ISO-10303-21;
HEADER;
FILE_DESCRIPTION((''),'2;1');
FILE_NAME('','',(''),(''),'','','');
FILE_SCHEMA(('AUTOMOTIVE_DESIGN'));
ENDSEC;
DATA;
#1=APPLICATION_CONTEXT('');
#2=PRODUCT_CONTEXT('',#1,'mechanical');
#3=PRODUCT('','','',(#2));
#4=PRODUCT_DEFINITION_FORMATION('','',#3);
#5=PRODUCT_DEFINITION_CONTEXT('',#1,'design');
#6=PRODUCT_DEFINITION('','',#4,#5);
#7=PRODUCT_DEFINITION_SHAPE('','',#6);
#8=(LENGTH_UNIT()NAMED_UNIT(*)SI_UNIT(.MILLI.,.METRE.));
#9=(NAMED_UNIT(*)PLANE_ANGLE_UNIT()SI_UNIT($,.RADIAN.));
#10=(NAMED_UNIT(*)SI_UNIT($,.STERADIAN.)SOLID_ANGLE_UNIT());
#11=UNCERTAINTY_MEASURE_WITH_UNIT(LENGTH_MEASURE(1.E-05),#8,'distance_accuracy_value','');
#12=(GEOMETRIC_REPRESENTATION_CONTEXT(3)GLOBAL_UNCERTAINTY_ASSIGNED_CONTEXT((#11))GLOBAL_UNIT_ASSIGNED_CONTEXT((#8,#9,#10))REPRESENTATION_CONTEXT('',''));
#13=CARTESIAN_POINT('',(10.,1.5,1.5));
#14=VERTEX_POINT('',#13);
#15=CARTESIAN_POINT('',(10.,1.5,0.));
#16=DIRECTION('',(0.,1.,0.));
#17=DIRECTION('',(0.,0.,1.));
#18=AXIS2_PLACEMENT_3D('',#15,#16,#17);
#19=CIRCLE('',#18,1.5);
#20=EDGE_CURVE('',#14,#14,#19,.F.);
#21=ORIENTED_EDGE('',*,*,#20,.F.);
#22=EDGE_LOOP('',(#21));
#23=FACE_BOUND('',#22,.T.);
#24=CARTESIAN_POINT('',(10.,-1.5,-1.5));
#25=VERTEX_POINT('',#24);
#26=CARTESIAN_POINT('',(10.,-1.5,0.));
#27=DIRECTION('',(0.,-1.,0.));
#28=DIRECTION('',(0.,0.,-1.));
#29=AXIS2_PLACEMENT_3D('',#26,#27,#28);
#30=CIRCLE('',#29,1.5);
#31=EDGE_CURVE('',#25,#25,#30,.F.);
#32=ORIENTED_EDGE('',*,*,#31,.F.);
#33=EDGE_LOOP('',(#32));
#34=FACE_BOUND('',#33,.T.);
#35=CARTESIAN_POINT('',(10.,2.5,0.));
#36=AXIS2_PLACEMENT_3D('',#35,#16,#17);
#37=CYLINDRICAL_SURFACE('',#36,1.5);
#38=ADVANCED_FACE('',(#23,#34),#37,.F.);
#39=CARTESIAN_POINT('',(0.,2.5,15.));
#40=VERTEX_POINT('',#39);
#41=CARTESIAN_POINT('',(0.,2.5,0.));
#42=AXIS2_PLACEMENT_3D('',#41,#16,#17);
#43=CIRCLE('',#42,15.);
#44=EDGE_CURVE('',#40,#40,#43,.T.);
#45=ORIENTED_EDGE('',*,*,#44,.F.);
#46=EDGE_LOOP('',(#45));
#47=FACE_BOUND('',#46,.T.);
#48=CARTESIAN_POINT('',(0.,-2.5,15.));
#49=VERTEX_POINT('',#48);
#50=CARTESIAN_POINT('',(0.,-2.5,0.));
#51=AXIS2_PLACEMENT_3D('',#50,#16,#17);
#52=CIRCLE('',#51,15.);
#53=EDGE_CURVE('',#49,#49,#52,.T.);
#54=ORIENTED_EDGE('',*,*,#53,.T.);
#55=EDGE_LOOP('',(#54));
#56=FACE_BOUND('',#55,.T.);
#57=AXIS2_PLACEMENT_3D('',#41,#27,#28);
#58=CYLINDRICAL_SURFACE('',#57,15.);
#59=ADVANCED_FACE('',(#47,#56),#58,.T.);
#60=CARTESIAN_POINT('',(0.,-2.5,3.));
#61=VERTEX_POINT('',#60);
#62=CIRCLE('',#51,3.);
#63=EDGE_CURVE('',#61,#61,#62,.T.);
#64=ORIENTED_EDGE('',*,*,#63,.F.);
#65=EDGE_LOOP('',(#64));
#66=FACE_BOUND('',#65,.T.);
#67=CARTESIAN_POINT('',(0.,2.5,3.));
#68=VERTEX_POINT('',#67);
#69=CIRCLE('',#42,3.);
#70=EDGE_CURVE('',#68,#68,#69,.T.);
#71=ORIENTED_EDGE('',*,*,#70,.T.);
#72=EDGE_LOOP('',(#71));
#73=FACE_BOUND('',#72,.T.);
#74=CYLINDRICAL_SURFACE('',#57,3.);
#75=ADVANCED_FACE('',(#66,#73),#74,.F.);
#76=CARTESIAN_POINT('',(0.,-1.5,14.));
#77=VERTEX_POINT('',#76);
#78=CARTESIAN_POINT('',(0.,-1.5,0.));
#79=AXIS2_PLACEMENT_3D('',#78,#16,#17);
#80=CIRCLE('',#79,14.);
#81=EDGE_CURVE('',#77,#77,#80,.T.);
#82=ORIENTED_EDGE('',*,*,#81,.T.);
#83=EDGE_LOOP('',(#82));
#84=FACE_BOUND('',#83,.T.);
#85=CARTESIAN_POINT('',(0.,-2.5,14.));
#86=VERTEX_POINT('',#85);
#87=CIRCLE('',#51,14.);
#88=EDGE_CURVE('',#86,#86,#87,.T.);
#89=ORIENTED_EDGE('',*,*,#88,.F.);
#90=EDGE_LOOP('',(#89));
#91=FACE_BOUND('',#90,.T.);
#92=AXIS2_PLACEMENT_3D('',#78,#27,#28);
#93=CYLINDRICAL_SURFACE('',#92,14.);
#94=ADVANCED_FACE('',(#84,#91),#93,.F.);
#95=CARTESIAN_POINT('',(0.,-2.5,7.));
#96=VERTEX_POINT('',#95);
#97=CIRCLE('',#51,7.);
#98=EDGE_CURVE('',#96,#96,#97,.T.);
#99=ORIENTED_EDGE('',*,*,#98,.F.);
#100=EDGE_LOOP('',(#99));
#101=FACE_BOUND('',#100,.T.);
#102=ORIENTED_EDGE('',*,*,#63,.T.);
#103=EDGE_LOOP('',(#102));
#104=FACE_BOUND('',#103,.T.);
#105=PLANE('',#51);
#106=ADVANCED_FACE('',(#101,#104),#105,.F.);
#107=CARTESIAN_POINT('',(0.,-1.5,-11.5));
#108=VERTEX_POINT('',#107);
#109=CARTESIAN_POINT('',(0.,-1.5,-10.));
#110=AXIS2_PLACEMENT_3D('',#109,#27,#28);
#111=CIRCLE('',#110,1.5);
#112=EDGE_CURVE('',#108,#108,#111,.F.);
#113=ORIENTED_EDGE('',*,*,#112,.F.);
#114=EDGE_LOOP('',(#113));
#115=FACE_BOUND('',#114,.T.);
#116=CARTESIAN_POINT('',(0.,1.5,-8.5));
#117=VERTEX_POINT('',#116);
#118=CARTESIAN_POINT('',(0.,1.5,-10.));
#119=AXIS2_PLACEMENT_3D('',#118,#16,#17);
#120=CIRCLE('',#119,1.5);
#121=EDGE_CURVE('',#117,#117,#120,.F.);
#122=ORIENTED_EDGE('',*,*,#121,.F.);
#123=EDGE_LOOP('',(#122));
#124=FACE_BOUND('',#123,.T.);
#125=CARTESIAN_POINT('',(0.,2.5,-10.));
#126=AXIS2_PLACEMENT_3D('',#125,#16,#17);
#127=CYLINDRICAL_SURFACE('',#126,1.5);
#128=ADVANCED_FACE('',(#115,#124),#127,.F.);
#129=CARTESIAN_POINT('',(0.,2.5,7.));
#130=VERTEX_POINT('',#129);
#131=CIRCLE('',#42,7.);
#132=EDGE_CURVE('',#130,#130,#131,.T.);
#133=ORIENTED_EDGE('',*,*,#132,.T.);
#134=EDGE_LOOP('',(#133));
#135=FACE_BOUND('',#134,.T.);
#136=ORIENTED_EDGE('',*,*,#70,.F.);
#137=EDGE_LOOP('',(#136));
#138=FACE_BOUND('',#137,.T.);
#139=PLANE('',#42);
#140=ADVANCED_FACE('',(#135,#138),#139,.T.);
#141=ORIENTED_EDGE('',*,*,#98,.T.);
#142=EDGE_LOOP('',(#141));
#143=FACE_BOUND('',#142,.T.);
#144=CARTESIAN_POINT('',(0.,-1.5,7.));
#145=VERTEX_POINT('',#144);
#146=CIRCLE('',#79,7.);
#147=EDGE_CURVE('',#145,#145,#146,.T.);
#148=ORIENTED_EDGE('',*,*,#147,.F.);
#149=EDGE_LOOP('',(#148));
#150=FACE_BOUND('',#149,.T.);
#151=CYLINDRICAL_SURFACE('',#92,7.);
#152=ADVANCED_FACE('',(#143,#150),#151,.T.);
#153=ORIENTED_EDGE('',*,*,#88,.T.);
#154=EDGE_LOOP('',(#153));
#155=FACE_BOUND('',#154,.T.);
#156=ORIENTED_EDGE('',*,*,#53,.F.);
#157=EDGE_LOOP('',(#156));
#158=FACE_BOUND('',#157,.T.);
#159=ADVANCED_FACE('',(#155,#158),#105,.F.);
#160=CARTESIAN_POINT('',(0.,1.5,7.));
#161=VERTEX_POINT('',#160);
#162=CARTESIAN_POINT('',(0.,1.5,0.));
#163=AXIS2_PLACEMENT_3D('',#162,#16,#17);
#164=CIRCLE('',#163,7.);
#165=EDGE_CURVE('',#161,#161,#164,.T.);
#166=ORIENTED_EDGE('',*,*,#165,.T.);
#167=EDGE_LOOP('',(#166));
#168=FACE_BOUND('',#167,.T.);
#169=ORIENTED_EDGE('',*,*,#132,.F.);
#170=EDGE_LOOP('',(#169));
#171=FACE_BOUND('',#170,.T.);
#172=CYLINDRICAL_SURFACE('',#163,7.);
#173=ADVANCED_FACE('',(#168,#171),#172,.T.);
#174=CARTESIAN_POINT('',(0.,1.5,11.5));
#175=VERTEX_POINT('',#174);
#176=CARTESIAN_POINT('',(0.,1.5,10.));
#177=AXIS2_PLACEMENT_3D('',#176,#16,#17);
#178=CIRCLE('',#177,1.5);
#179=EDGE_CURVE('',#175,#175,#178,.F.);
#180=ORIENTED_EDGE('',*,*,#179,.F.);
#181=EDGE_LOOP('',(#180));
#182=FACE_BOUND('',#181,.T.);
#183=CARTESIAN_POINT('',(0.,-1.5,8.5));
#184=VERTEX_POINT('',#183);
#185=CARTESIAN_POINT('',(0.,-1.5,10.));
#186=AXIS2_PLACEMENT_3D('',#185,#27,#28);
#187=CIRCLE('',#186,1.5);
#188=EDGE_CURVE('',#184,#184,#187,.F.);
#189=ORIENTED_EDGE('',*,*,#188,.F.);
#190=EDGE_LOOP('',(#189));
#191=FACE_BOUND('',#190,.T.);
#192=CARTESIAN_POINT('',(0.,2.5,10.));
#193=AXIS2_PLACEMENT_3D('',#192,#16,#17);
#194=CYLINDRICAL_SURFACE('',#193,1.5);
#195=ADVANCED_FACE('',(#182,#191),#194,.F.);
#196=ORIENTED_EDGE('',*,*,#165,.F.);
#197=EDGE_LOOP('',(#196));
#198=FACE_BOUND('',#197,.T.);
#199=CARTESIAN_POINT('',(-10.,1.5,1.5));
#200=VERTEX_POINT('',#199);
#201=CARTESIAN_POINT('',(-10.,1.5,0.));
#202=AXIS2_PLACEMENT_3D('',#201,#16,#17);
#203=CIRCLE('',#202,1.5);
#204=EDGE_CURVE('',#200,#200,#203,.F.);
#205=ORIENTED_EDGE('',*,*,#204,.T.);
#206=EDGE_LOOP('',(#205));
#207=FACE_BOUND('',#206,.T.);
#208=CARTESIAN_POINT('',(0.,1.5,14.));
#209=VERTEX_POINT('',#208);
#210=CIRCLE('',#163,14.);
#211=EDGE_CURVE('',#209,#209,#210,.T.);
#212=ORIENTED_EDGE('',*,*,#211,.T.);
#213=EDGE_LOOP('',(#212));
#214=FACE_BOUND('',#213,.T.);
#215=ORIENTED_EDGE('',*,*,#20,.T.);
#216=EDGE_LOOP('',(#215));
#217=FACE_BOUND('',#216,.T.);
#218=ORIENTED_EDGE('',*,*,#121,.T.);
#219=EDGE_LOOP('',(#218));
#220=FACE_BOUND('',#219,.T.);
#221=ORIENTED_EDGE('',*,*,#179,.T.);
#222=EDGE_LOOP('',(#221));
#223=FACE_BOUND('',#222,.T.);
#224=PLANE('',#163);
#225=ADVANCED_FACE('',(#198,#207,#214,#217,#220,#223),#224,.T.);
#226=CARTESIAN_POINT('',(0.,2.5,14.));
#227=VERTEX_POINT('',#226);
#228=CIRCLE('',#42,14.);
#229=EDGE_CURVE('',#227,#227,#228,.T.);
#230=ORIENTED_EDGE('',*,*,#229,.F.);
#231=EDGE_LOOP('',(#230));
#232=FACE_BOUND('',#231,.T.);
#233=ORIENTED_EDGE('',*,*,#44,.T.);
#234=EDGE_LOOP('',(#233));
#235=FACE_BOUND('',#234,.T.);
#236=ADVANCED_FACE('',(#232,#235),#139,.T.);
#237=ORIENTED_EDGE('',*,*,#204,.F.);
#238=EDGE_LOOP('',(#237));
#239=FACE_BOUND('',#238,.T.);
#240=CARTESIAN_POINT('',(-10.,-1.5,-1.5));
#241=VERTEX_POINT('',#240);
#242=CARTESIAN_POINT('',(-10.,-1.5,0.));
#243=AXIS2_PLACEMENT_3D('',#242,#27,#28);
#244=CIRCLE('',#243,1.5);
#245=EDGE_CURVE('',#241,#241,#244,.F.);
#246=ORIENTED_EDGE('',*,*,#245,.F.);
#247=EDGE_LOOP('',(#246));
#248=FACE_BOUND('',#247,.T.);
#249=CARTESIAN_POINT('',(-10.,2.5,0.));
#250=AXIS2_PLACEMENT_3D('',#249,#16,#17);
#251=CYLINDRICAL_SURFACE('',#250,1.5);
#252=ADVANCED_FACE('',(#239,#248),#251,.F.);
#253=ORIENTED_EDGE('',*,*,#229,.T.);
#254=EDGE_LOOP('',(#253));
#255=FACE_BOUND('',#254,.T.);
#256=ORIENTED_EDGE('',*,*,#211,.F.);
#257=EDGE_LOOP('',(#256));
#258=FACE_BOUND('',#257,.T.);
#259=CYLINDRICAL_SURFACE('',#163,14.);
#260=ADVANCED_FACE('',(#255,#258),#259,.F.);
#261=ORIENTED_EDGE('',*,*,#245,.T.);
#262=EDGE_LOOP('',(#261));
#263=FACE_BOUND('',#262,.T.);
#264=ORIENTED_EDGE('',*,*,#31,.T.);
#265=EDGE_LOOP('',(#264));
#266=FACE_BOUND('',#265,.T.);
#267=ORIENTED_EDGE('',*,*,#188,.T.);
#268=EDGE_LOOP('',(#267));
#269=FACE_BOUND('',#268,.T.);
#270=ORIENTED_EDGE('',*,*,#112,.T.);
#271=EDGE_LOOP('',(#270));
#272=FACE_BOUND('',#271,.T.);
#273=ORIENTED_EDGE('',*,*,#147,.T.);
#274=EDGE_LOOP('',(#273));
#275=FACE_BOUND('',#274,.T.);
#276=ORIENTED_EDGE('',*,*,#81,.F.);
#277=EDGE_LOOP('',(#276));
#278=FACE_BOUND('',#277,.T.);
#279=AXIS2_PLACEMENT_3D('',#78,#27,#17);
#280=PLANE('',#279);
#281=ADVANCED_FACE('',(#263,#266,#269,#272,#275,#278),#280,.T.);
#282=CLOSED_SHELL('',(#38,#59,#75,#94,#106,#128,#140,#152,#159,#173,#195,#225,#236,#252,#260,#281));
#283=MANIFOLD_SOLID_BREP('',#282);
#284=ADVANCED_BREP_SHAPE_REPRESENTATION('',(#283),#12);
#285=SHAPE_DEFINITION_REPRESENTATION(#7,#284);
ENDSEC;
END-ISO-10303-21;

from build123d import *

# Parameters (mm, degrees)
SKETCH1_R                 = 15
SKETCH1_R_2               = 3
BOSS_EXTRUDE1_DEPTH       = 2.5
F_3_0MM_DOWEL_HOLE1_D     = 3
F_3_0MM_DOWEL_HOLE1_DEPTH = 5.001
CIRPATTERN1_COUNT         = 4
SKETCH6_R                 = 14
SKETCH6_R_2               = 7
CUT_EXTRUDE1_DEPTH        = 1


with BuildPart() as part:
    # Sketch1 → Boss-Extrude1 (new body, symmetric)
    with BuildSketch(Plane(origin=(0, 0, 0), x_dir=(1, 0, 0), z_dir=(0, 1, 0))):
        Circle(SKETCH1_R)
        Circle(SKETCH1_R_2, mode=Mode.SUBTRACT)
    extrude(amount=BOSS_EXTRUDE1_DEPTH, both=True)

    # Ø3.0mm Dowel Hole1
    with Locations(Plane(origin=(0, 2.5, 0), x_dir=(1, 0, 0), z_dir=(0, 1, 0))):
        with Locations((0, 10)):
            f_3_0mm_dowel_hole1 = Hole(F_3_0MM_DOWEL_HOLE1_D / 2, depth=F_3_0MM_DOWEL_HOLE1_DEPTH)

    # CirPattern1: Ø3.0mm Dowel Hole1 ×4 about axis
    cirpattern1_axis = Axis((0, 0, 0), (0, 1, 0))
    for i in range(1, CIRPATTERN1_COUNT):
        add(f_3_0mm_dowel_hole1.rotate(cirpattern1_axis, i * 360 / CIRPATTERN1_COUNT), mode=Mode.SUBTRACT)

    # Sketch6 → Cut-Extrude1 (cut)
    with BuildSketch(Plane(origin=(0, 2.5, 0), x_dir=(1, 0, 0), z_dir=(0, 1, 0))):
        Circle(SKETCH6_R)
        Circle(SKETCH6_R_2, mode=Mode.SUBTRACT)
    cut_extrude1 = extrude(amount=-CUT_EXTRUDE1_DEPTH, mode=Mode.SUBTRACT)

    # Mirror1: Cut-Extrude1 across plane
    add(cut_extrude1.mirror(Plane.ZX), mode=Mode.SUBTRACT)


solid = part.part
